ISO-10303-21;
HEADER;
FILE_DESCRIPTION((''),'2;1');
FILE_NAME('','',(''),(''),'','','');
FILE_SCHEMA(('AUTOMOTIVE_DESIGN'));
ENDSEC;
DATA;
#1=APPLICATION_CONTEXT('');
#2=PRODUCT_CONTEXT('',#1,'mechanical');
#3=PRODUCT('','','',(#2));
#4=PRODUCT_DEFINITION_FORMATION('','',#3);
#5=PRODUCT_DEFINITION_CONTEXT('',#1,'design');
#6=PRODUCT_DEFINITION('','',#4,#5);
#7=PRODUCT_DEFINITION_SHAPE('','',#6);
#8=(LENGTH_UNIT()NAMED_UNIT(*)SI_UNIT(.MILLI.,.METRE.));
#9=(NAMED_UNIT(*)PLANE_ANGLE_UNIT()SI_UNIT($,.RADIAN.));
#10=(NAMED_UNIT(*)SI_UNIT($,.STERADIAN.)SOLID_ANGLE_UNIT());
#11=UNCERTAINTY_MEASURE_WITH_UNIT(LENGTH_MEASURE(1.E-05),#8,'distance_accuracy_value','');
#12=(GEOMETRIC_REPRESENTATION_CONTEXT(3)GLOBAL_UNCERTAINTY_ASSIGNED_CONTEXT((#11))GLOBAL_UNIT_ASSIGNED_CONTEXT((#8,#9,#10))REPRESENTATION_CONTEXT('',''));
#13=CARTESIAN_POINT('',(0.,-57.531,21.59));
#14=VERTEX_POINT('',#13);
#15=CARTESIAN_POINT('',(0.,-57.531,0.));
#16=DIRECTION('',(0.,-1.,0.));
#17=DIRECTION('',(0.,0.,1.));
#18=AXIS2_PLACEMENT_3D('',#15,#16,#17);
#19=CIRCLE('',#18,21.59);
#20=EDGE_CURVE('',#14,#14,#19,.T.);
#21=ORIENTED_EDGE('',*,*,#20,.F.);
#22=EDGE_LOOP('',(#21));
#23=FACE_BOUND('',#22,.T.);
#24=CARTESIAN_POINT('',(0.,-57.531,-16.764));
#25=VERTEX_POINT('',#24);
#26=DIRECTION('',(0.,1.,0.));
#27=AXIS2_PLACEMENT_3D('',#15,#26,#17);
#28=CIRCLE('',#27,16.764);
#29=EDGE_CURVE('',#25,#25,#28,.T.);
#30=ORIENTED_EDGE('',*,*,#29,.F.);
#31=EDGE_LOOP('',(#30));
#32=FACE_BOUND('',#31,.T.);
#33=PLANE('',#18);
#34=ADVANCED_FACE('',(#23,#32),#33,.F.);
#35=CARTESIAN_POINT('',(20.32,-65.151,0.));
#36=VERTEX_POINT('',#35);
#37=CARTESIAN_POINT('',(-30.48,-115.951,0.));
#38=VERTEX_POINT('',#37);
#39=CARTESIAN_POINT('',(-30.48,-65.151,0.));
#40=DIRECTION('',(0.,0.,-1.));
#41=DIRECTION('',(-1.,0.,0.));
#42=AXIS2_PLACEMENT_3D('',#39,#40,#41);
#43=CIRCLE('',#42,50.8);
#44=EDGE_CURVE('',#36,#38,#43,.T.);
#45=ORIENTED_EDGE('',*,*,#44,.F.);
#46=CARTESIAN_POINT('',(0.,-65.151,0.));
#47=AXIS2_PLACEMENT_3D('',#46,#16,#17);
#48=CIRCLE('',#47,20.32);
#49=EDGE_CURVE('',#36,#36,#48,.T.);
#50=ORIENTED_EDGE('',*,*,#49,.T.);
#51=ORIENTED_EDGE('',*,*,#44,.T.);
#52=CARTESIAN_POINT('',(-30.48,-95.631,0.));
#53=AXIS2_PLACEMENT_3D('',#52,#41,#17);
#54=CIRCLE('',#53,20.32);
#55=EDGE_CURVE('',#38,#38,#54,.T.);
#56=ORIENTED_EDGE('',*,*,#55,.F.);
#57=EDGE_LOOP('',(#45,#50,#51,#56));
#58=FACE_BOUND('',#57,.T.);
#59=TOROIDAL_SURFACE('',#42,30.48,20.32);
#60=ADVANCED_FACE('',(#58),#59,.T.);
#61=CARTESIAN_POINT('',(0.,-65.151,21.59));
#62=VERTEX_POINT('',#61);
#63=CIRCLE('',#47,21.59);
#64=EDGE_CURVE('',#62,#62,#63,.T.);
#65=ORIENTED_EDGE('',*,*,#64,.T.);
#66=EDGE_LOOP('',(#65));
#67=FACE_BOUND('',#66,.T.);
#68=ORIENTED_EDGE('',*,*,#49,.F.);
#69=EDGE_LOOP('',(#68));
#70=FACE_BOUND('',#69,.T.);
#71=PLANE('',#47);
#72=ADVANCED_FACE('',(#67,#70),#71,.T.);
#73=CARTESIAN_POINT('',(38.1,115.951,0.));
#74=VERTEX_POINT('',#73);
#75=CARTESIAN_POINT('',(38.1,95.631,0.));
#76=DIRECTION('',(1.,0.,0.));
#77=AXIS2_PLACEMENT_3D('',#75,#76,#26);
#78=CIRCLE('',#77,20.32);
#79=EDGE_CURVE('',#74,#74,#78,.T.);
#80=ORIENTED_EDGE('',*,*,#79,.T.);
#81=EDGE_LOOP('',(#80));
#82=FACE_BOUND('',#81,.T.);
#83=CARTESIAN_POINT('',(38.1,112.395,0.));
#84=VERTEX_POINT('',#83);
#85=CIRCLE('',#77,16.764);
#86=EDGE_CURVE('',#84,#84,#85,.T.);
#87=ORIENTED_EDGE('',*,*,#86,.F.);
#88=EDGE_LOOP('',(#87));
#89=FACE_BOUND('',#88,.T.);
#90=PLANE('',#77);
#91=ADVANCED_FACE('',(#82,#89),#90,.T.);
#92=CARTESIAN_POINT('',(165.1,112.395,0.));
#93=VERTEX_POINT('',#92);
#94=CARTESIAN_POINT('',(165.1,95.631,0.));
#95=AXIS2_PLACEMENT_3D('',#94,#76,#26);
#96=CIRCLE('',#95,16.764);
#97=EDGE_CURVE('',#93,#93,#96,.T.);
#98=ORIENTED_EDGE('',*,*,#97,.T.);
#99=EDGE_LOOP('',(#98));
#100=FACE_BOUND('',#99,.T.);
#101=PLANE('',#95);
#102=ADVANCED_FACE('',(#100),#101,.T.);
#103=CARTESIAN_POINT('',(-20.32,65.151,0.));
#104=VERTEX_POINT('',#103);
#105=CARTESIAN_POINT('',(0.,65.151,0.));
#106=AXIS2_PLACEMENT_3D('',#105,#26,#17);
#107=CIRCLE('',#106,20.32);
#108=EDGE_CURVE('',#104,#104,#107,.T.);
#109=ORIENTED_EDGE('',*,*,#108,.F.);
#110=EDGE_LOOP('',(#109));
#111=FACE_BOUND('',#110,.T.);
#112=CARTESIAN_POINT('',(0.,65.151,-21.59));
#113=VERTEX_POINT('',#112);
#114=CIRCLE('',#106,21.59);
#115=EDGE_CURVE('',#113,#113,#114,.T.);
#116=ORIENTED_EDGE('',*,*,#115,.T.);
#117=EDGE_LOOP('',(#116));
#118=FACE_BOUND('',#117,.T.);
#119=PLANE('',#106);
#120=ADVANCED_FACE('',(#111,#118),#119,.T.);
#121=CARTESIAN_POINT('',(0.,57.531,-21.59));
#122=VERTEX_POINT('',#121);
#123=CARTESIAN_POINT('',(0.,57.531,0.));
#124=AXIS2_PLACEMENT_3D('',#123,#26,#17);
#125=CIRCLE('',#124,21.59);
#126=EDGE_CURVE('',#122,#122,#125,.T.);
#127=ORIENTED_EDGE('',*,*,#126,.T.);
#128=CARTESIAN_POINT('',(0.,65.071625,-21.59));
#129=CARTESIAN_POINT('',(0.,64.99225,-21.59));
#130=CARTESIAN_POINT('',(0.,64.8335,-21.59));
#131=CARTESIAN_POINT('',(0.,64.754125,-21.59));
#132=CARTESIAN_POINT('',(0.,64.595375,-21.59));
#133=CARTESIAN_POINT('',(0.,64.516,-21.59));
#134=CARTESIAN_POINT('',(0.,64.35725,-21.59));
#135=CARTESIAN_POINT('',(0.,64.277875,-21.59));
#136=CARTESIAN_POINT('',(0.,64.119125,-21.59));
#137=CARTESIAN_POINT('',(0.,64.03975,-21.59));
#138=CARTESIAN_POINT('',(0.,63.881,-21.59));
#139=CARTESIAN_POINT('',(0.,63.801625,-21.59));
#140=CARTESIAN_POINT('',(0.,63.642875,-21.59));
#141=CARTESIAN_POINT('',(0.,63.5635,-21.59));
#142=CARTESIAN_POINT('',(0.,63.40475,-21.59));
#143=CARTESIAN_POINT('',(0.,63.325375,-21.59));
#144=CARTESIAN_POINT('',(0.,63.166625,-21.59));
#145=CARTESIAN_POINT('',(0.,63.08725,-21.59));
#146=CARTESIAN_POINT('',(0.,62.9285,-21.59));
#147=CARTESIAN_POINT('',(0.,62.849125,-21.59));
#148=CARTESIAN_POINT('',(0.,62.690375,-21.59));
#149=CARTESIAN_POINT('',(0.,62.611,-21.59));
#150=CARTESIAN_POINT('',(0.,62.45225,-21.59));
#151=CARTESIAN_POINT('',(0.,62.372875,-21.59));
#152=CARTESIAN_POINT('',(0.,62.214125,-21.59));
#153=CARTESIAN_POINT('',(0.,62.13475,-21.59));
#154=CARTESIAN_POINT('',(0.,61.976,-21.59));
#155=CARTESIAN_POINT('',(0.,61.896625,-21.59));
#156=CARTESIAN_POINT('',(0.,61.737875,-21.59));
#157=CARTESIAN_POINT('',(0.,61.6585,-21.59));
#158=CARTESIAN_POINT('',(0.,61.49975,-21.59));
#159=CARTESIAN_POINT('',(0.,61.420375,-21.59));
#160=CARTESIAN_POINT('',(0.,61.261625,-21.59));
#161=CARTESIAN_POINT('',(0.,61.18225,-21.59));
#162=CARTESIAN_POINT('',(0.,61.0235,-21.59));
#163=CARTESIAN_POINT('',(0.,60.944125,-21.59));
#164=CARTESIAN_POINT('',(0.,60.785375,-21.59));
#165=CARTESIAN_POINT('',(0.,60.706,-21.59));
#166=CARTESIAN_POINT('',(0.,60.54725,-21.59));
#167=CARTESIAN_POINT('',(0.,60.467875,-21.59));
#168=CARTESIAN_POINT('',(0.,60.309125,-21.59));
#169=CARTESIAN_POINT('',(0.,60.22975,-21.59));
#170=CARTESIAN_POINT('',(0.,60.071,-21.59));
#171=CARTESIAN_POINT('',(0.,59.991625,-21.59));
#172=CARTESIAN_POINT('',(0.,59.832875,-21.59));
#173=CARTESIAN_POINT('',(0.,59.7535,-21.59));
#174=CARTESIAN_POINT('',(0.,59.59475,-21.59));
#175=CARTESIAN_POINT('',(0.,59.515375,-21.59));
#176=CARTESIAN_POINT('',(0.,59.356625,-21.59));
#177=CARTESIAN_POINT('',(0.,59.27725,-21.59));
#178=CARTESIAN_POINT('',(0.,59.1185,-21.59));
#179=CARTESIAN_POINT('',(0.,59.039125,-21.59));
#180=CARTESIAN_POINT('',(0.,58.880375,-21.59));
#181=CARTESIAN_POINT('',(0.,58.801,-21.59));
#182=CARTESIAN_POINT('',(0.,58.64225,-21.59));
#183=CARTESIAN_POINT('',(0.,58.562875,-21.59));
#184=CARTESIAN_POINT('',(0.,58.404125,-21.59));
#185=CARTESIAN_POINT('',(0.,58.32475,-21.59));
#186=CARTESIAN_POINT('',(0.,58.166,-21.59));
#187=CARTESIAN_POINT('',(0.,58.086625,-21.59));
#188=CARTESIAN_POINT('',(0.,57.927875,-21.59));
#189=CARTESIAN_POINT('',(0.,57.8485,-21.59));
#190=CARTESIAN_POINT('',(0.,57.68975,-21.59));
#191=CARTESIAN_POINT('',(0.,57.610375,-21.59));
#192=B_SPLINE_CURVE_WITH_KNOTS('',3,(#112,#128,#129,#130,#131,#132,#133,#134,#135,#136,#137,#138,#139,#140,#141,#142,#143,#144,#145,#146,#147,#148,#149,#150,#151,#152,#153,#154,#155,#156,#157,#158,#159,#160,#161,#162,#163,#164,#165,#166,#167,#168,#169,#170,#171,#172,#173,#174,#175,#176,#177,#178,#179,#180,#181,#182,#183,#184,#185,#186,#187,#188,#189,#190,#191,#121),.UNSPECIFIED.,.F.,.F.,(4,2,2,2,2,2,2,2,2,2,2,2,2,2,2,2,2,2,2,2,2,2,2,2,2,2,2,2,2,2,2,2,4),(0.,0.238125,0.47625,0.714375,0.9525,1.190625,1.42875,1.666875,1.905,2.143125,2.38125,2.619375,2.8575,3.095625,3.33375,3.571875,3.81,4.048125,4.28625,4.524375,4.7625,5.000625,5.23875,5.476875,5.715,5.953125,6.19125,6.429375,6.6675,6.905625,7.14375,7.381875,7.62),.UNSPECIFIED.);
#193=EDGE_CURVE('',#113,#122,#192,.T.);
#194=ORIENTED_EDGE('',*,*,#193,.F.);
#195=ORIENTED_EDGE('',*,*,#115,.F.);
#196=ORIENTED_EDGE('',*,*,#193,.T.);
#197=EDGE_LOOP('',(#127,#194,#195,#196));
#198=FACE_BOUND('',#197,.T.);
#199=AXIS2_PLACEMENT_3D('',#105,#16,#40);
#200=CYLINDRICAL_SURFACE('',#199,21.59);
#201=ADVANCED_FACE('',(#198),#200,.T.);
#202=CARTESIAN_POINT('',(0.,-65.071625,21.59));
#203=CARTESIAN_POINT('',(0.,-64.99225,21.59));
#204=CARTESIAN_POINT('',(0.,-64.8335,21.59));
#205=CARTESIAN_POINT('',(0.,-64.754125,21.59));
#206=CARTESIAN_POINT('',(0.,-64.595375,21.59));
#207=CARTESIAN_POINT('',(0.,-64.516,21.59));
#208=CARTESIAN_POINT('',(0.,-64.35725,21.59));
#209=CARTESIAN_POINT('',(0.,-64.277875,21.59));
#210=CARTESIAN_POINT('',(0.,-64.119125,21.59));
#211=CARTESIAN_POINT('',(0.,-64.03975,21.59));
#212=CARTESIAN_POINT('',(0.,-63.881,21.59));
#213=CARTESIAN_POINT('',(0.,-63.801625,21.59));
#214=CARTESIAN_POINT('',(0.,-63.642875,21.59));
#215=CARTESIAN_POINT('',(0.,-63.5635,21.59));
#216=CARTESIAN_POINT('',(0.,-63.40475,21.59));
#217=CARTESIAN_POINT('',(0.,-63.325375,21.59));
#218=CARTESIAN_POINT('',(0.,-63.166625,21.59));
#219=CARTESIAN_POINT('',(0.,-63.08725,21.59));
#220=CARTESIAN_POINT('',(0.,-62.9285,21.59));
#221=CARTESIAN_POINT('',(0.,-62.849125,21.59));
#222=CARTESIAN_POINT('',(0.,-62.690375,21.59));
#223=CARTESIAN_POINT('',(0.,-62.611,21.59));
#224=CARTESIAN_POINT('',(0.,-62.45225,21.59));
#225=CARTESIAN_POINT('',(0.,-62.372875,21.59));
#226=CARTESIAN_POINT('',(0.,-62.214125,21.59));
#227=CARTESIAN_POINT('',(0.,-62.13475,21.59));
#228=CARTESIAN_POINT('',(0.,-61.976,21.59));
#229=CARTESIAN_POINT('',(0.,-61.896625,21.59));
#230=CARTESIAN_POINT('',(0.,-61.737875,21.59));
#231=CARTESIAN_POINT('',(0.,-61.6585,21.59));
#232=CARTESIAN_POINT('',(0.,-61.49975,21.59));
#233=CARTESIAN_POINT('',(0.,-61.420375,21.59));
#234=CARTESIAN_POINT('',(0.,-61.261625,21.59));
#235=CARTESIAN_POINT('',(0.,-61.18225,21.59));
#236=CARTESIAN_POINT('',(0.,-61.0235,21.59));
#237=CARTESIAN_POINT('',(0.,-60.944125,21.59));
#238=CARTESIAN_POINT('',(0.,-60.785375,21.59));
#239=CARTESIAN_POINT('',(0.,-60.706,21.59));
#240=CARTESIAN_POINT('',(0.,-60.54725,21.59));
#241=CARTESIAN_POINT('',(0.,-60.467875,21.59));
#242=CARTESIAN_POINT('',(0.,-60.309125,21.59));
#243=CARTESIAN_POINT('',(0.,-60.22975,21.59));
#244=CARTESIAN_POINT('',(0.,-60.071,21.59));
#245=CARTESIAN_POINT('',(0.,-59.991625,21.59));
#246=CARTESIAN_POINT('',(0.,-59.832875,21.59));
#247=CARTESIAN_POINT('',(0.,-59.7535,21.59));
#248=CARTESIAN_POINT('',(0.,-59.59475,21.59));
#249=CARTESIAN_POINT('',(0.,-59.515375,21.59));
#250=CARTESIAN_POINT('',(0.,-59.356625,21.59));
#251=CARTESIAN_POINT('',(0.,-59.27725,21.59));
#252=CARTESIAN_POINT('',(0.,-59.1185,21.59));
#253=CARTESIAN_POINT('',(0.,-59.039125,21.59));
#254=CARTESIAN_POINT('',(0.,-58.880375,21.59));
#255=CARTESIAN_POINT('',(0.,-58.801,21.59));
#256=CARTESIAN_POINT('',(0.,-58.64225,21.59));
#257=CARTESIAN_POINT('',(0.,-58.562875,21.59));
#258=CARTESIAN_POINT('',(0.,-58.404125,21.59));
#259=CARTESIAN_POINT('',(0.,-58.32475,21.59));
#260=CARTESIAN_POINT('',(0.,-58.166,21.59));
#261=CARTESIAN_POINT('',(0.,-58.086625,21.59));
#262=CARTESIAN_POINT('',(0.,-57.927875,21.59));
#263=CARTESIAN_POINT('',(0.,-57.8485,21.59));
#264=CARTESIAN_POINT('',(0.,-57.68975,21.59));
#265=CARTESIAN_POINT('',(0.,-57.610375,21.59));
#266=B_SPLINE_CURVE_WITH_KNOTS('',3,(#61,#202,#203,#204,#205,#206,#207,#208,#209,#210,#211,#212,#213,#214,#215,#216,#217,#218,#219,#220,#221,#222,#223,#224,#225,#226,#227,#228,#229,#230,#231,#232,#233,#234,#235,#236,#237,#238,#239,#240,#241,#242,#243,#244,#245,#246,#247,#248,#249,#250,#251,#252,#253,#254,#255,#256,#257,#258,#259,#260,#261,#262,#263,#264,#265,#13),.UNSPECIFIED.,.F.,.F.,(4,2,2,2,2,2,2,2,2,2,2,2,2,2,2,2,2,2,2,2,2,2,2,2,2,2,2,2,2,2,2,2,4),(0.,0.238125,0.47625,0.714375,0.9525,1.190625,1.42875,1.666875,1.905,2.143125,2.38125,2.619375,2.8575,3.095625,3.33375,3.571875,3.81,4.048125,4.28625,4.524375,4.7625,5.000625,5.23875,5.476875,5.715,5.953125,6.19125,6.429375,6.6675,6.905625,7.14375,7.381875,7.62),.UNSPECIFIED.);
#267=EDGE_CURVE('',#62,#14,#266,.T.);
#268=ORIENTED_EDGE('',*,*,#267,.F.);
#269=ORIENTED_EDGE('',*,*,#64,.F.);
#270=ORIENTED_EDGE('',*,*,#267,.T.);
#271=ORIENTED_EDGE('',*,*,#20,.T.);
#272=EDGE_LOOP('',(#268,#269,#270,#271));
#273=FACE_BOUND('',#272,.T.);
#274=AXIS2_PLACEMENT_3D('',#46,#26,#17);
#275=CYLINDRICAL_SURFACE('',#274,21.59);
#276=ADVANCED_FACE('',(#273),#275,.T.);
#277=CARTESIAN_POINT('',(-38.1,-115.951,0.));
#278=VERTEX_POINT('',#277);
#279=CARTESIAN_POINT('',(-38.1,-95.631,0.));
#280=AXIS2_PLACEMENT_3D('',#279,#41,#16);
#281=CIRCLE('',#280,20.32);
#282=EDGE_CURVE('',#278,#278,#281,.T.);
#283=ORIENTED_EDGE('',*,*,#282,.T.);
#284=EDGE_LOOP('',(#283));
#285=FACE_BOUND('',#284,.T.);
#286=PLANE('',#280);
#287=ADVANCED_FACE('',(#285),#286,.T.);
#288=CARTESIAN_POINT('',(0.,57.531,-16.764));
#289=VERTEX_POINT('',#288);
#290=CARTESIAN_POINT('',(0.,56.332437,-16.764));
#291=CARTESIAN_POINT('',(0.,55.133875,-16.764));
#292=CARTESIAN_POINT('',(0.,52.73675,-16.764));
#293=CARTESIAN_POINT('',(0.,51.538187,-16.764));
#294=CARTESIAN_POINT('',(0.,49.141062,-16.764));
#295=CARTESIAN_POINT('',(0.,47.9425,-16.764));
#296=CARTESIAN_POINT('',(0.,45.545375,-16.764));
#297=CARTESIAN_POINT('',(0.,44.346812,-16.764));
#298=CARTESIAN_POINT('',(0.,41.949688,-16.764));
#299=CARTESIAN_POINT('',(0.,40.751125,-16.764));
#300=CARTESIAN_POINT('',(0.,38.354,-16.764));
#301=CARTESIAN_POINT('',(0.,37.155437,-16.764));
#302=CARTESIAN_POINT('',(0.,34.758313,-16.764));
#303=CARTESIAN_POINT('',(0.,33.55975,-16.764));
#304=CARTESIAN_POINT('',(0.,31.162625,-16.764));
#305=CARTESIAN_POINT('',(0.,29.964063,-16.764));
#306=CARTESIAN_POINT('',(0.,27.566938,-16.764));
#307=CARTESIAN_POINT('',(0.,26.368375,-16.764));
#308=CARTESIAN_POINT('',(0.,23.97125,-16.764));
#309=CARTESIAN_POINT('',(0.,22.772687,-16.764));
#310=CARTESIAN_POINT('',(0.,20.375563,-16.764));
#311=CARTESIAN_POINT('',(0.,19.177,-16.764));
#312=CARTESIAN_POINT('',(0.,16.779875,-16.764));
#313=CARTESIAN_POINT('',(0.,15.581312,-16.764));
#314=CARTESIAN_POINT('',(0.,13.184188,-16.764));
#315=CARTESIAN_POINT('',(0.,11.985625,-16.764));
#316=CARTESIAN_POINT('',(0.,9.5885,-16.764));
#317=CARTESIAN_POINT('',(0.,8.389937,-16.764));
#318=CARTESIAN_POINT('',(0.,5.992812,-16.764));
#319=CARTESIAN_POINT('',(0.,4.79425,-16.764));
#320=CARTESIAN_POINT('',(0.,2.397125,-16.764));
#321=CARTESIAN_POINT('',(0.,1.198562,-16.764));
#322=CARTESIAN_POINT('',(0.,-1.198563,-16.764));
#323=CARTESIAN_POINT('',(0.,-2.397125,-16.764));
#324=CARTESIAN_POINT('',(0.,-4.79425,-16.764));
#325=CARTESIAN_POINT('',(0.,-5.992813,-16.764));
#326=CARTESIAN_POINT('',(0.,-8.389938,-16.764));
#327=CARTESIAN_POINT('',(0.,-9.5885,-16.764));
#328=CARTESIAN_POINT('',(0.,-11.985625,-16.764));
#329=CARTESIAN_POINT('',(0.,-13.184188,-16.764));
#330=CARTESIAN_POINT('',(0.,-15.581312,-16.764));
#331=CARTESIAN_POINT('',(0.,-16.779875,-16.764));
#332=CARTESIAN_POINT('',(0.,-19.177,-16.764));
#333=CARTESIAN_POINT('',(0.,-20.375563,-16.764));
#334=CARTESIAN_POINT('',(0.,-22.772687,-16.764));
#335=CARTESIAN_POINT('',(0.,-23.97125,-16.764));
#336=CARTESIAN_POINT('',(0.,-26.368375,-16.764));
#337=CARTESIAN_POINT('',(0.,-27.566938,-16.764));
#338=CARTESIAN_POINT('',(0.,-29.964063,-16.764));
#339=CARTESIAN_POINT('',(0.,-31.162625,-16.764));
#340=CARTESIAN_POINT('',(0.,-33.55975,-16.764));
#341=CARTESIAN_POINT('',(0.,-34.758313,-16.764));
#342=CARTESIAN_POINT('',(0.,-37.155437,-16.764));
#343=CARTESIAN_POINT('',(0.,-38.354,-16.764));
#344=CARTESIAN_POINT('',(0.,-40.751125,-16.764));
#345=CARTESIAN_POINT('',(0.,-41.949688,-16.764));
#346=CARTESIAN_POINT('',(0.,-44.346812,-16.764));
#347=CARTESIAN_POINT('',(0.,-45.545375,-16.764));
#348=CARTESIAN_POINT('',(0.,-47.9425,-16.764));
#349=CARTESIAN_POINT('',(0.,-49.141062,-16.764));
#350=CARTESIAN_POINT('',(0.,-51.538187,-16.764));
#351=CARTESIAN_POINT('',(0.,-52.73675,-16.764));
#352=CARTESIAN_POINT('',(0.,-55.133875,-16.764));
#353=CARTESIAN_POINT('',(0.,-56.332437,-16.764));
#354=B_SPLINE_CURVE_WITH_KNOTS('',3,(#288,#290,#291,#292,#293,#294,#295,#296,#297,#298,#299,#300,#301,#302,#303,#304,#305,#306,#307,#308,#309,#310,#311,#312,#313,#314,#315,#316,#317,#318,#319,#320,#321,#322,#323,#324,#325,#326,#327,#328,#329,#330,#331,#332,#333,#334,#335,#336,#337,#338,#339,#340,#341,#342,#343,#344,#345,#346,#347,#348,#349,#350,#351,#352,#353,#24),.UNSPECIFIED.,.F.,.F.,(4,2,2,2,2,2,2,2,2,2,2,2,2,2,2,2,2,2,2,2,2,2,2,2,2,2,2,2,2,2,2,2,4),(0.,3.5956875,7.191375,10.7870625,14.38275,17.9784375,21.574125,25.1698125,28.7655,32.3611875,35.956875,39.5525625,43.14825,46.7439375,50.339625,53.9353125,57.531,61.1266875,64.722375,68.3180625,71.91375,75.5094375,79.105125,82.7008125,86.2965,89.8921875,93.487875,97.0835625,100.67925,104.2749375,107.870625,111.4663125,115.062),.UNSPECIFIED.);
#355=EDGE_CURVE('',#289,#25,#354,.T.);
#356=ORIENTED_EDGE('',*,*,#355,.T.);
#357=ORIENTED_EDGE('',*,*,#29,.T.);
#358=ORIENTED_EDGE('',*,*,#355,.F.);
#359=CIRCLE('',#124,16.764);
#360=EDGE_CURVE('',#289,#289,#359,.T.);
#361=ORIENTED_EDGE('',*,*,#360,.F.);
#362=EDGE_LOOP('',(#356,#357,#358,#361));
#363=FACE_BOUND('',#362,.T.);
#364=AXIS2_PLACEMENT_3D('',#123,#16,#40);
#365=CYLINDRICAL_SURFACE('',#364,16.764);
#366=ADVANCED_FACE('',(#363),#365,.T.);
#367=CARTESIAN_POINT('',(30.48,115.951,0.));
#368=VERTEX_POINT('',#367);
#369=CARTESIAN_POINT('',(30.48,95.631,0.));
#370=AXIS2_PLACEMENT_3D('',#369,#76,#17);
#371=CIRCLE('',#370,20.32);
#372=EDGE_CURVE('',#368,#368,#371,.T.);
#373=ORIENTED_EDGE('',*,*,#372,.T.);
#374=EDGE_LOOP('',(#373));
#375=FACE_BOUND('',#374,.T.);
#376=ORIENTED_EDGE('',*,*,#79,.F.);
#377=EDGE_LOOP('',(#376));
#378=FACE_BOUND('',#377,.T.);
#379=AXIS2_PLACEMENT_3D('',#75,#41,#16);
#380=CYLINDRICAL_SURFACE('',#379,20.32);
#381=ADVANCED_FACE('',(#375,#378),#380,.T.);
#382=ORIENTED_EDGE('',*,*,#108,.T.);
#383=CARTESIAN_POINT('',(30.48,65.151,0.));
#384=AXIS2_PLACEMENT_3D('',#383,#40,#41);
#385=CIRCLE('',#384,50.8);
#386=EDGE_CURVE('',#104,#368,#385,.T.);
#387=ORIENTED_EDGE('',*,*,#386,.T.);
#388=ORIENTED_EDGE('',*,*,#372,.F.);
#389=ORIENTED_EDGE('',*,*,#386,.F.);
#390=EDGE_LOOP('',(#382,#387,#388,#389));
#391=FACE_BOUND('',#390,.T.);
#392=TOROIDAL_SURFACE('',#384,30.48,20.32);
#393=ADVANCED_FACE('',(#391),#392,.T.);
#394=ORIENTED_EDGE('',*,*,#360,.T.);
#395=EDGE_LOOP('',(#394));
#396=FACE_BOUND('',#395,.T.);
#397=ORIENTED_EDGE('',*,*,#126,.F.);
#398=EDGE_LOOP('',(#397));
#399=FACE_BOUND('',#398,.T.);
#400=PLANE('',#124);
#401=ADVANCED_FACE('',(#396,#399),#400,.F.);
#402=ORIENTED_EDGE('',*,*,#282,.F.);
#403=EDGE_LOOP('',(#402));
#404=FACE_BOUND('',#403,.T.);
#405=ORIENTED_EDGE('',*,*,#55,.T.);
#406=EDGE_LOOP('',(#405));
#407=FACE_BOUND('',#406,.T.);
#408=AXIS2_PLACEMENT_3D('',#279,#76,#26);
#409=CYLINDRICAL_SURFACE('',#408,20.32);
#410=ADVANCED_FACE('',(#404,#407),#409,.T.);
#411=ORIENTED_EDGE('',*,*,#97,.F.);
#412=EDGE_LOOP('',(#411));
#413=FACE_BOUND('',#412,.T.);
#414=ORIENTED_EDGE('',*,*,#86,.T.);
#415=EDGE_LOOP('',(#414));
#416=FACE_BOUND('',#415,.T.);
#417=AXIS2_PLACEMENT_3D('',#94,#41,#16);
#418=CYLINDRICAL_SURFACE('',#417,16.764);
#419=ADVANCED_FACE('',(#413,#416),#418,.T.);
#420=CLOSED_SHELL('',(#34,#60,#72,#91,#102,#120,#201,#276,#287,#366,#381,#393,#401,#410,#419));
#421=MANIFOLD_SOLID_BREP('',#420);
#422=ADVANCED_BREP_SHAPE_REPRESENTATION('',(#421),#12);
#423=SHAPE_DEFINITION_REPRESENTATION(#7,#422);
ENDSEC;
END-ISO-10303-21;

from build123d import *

# Parameters (mm, degrees)
SKETCH1_R           = 16.764
BOSS_EXTRUDE1_DEPTH = 57.531
SKETCH3_R           = 21.59
BOSS_EXTRUDE2_DEPTH = 7.62
SKETCH5_R           = 20.32
SKETCH6_R           = 20.32
BOSS_EXTRUDE3_DEPTH = 7.62
CIRPATTERN1_COUNT   = 2
SKETCH9_R           = 16.764
BOSS_EXTRUDE4_DEPTH = 127


with BuildPart() as part:
    # Sketch1 → Boss-Extrude1 (new, symmetric)
    with BuildSketch(Plane(origin=(0, 0, 0), x_dir=(1, 0, 0), z_dir=(0, 1, 0))):
        with Locations(Location((0, 0, 0), (0, 0, 90))):
            Circle(SKETCH1_R)
    extrude(amount=BOSS_EXTRUDE1_DEPTH, both=True)

    # Sketch3 → Boss-Extrude2 (add)
    with BuildSketch(Plane(origin=(0, 57.531, 0), x_dir=(1, 0, 0), z_dir=(0, 1, 0))):
        with Locations(Location((0, 0, 0), (0, 0, 90))):
            Circle(SKETCH3_R)
    boss_extrude2 = extrude(amount=BOSS_EXTRUDE2_DEPTH)

    # Sweep1: sweep along a path in Sketch4
    with BuildLine(Plane.XY) as sweep1_path:
        ThreePointArc((0, 65.151), (8.927385309, 86.703614691), (30.48, 95.631))
    # Sketch5 → Sweep1 (sweep)
    with BuildSketch(Plane(origin=(0, 65.151, 0), x_dir=(1, 0, 0), z_dir=(0, 1, 0))):
        Circle(SKETCH5_R)
    sweep1 = sweep(path=sweep1_path.line)

    # Sketch6 → Boss-Extrude3 (add)
    with BuildSketch(Plane(origin=(30.48, 0, 0), x_dir=(0, 0, -1), z_dir=(1, 0, 0))):
        with Locations(Location((0, 95.631, 0), (0, 0, 90))):
            Circle(SKETCH6_R)
    boss_extrude3 = extrude(amount=BOSS_EXTRUDE3_DEPTH)

    # CirPattern1: Boss-Extrude2, Sweep1, Boss-Extrude3 ×2 about axis
    cirpattern1_axis = Axis((0, 0, 0), (0, 0, 1))
    add([boss_extrude2.rotate(cirpattern1_axis, i * 360 / CIRPATTERN1_COUNT) for i in range(1, CIRPATTERN1_COUNT)])
    add([sweep1.rotate(cirpattern1_axis, i * 360 / CIRPATTERN1_COUNT) for i in range(1, CIRPATTERN1_COUNT)])
    add([boss_extrude3.rotate(cirpattern1_axis, i * 360 / CIRPATTERN1_COUNT) for i in range(1, CIRPATTERN1_COUNT)])

    # Sketch9 → Boss-Extrude4 (add)
    with BuildSketch(Plane(origin=(38.1, 0, 0), x_dir=(0, 0, -1), z_dir=(1, 0, 0))):
        with Locations(Location((0, 95.631, 0), (0, 0, 90))):
            Circle(SKETCH9_R)
    extrude(amount=BOSS_EXTRUDE4_DEPTH)


solid = part.part
